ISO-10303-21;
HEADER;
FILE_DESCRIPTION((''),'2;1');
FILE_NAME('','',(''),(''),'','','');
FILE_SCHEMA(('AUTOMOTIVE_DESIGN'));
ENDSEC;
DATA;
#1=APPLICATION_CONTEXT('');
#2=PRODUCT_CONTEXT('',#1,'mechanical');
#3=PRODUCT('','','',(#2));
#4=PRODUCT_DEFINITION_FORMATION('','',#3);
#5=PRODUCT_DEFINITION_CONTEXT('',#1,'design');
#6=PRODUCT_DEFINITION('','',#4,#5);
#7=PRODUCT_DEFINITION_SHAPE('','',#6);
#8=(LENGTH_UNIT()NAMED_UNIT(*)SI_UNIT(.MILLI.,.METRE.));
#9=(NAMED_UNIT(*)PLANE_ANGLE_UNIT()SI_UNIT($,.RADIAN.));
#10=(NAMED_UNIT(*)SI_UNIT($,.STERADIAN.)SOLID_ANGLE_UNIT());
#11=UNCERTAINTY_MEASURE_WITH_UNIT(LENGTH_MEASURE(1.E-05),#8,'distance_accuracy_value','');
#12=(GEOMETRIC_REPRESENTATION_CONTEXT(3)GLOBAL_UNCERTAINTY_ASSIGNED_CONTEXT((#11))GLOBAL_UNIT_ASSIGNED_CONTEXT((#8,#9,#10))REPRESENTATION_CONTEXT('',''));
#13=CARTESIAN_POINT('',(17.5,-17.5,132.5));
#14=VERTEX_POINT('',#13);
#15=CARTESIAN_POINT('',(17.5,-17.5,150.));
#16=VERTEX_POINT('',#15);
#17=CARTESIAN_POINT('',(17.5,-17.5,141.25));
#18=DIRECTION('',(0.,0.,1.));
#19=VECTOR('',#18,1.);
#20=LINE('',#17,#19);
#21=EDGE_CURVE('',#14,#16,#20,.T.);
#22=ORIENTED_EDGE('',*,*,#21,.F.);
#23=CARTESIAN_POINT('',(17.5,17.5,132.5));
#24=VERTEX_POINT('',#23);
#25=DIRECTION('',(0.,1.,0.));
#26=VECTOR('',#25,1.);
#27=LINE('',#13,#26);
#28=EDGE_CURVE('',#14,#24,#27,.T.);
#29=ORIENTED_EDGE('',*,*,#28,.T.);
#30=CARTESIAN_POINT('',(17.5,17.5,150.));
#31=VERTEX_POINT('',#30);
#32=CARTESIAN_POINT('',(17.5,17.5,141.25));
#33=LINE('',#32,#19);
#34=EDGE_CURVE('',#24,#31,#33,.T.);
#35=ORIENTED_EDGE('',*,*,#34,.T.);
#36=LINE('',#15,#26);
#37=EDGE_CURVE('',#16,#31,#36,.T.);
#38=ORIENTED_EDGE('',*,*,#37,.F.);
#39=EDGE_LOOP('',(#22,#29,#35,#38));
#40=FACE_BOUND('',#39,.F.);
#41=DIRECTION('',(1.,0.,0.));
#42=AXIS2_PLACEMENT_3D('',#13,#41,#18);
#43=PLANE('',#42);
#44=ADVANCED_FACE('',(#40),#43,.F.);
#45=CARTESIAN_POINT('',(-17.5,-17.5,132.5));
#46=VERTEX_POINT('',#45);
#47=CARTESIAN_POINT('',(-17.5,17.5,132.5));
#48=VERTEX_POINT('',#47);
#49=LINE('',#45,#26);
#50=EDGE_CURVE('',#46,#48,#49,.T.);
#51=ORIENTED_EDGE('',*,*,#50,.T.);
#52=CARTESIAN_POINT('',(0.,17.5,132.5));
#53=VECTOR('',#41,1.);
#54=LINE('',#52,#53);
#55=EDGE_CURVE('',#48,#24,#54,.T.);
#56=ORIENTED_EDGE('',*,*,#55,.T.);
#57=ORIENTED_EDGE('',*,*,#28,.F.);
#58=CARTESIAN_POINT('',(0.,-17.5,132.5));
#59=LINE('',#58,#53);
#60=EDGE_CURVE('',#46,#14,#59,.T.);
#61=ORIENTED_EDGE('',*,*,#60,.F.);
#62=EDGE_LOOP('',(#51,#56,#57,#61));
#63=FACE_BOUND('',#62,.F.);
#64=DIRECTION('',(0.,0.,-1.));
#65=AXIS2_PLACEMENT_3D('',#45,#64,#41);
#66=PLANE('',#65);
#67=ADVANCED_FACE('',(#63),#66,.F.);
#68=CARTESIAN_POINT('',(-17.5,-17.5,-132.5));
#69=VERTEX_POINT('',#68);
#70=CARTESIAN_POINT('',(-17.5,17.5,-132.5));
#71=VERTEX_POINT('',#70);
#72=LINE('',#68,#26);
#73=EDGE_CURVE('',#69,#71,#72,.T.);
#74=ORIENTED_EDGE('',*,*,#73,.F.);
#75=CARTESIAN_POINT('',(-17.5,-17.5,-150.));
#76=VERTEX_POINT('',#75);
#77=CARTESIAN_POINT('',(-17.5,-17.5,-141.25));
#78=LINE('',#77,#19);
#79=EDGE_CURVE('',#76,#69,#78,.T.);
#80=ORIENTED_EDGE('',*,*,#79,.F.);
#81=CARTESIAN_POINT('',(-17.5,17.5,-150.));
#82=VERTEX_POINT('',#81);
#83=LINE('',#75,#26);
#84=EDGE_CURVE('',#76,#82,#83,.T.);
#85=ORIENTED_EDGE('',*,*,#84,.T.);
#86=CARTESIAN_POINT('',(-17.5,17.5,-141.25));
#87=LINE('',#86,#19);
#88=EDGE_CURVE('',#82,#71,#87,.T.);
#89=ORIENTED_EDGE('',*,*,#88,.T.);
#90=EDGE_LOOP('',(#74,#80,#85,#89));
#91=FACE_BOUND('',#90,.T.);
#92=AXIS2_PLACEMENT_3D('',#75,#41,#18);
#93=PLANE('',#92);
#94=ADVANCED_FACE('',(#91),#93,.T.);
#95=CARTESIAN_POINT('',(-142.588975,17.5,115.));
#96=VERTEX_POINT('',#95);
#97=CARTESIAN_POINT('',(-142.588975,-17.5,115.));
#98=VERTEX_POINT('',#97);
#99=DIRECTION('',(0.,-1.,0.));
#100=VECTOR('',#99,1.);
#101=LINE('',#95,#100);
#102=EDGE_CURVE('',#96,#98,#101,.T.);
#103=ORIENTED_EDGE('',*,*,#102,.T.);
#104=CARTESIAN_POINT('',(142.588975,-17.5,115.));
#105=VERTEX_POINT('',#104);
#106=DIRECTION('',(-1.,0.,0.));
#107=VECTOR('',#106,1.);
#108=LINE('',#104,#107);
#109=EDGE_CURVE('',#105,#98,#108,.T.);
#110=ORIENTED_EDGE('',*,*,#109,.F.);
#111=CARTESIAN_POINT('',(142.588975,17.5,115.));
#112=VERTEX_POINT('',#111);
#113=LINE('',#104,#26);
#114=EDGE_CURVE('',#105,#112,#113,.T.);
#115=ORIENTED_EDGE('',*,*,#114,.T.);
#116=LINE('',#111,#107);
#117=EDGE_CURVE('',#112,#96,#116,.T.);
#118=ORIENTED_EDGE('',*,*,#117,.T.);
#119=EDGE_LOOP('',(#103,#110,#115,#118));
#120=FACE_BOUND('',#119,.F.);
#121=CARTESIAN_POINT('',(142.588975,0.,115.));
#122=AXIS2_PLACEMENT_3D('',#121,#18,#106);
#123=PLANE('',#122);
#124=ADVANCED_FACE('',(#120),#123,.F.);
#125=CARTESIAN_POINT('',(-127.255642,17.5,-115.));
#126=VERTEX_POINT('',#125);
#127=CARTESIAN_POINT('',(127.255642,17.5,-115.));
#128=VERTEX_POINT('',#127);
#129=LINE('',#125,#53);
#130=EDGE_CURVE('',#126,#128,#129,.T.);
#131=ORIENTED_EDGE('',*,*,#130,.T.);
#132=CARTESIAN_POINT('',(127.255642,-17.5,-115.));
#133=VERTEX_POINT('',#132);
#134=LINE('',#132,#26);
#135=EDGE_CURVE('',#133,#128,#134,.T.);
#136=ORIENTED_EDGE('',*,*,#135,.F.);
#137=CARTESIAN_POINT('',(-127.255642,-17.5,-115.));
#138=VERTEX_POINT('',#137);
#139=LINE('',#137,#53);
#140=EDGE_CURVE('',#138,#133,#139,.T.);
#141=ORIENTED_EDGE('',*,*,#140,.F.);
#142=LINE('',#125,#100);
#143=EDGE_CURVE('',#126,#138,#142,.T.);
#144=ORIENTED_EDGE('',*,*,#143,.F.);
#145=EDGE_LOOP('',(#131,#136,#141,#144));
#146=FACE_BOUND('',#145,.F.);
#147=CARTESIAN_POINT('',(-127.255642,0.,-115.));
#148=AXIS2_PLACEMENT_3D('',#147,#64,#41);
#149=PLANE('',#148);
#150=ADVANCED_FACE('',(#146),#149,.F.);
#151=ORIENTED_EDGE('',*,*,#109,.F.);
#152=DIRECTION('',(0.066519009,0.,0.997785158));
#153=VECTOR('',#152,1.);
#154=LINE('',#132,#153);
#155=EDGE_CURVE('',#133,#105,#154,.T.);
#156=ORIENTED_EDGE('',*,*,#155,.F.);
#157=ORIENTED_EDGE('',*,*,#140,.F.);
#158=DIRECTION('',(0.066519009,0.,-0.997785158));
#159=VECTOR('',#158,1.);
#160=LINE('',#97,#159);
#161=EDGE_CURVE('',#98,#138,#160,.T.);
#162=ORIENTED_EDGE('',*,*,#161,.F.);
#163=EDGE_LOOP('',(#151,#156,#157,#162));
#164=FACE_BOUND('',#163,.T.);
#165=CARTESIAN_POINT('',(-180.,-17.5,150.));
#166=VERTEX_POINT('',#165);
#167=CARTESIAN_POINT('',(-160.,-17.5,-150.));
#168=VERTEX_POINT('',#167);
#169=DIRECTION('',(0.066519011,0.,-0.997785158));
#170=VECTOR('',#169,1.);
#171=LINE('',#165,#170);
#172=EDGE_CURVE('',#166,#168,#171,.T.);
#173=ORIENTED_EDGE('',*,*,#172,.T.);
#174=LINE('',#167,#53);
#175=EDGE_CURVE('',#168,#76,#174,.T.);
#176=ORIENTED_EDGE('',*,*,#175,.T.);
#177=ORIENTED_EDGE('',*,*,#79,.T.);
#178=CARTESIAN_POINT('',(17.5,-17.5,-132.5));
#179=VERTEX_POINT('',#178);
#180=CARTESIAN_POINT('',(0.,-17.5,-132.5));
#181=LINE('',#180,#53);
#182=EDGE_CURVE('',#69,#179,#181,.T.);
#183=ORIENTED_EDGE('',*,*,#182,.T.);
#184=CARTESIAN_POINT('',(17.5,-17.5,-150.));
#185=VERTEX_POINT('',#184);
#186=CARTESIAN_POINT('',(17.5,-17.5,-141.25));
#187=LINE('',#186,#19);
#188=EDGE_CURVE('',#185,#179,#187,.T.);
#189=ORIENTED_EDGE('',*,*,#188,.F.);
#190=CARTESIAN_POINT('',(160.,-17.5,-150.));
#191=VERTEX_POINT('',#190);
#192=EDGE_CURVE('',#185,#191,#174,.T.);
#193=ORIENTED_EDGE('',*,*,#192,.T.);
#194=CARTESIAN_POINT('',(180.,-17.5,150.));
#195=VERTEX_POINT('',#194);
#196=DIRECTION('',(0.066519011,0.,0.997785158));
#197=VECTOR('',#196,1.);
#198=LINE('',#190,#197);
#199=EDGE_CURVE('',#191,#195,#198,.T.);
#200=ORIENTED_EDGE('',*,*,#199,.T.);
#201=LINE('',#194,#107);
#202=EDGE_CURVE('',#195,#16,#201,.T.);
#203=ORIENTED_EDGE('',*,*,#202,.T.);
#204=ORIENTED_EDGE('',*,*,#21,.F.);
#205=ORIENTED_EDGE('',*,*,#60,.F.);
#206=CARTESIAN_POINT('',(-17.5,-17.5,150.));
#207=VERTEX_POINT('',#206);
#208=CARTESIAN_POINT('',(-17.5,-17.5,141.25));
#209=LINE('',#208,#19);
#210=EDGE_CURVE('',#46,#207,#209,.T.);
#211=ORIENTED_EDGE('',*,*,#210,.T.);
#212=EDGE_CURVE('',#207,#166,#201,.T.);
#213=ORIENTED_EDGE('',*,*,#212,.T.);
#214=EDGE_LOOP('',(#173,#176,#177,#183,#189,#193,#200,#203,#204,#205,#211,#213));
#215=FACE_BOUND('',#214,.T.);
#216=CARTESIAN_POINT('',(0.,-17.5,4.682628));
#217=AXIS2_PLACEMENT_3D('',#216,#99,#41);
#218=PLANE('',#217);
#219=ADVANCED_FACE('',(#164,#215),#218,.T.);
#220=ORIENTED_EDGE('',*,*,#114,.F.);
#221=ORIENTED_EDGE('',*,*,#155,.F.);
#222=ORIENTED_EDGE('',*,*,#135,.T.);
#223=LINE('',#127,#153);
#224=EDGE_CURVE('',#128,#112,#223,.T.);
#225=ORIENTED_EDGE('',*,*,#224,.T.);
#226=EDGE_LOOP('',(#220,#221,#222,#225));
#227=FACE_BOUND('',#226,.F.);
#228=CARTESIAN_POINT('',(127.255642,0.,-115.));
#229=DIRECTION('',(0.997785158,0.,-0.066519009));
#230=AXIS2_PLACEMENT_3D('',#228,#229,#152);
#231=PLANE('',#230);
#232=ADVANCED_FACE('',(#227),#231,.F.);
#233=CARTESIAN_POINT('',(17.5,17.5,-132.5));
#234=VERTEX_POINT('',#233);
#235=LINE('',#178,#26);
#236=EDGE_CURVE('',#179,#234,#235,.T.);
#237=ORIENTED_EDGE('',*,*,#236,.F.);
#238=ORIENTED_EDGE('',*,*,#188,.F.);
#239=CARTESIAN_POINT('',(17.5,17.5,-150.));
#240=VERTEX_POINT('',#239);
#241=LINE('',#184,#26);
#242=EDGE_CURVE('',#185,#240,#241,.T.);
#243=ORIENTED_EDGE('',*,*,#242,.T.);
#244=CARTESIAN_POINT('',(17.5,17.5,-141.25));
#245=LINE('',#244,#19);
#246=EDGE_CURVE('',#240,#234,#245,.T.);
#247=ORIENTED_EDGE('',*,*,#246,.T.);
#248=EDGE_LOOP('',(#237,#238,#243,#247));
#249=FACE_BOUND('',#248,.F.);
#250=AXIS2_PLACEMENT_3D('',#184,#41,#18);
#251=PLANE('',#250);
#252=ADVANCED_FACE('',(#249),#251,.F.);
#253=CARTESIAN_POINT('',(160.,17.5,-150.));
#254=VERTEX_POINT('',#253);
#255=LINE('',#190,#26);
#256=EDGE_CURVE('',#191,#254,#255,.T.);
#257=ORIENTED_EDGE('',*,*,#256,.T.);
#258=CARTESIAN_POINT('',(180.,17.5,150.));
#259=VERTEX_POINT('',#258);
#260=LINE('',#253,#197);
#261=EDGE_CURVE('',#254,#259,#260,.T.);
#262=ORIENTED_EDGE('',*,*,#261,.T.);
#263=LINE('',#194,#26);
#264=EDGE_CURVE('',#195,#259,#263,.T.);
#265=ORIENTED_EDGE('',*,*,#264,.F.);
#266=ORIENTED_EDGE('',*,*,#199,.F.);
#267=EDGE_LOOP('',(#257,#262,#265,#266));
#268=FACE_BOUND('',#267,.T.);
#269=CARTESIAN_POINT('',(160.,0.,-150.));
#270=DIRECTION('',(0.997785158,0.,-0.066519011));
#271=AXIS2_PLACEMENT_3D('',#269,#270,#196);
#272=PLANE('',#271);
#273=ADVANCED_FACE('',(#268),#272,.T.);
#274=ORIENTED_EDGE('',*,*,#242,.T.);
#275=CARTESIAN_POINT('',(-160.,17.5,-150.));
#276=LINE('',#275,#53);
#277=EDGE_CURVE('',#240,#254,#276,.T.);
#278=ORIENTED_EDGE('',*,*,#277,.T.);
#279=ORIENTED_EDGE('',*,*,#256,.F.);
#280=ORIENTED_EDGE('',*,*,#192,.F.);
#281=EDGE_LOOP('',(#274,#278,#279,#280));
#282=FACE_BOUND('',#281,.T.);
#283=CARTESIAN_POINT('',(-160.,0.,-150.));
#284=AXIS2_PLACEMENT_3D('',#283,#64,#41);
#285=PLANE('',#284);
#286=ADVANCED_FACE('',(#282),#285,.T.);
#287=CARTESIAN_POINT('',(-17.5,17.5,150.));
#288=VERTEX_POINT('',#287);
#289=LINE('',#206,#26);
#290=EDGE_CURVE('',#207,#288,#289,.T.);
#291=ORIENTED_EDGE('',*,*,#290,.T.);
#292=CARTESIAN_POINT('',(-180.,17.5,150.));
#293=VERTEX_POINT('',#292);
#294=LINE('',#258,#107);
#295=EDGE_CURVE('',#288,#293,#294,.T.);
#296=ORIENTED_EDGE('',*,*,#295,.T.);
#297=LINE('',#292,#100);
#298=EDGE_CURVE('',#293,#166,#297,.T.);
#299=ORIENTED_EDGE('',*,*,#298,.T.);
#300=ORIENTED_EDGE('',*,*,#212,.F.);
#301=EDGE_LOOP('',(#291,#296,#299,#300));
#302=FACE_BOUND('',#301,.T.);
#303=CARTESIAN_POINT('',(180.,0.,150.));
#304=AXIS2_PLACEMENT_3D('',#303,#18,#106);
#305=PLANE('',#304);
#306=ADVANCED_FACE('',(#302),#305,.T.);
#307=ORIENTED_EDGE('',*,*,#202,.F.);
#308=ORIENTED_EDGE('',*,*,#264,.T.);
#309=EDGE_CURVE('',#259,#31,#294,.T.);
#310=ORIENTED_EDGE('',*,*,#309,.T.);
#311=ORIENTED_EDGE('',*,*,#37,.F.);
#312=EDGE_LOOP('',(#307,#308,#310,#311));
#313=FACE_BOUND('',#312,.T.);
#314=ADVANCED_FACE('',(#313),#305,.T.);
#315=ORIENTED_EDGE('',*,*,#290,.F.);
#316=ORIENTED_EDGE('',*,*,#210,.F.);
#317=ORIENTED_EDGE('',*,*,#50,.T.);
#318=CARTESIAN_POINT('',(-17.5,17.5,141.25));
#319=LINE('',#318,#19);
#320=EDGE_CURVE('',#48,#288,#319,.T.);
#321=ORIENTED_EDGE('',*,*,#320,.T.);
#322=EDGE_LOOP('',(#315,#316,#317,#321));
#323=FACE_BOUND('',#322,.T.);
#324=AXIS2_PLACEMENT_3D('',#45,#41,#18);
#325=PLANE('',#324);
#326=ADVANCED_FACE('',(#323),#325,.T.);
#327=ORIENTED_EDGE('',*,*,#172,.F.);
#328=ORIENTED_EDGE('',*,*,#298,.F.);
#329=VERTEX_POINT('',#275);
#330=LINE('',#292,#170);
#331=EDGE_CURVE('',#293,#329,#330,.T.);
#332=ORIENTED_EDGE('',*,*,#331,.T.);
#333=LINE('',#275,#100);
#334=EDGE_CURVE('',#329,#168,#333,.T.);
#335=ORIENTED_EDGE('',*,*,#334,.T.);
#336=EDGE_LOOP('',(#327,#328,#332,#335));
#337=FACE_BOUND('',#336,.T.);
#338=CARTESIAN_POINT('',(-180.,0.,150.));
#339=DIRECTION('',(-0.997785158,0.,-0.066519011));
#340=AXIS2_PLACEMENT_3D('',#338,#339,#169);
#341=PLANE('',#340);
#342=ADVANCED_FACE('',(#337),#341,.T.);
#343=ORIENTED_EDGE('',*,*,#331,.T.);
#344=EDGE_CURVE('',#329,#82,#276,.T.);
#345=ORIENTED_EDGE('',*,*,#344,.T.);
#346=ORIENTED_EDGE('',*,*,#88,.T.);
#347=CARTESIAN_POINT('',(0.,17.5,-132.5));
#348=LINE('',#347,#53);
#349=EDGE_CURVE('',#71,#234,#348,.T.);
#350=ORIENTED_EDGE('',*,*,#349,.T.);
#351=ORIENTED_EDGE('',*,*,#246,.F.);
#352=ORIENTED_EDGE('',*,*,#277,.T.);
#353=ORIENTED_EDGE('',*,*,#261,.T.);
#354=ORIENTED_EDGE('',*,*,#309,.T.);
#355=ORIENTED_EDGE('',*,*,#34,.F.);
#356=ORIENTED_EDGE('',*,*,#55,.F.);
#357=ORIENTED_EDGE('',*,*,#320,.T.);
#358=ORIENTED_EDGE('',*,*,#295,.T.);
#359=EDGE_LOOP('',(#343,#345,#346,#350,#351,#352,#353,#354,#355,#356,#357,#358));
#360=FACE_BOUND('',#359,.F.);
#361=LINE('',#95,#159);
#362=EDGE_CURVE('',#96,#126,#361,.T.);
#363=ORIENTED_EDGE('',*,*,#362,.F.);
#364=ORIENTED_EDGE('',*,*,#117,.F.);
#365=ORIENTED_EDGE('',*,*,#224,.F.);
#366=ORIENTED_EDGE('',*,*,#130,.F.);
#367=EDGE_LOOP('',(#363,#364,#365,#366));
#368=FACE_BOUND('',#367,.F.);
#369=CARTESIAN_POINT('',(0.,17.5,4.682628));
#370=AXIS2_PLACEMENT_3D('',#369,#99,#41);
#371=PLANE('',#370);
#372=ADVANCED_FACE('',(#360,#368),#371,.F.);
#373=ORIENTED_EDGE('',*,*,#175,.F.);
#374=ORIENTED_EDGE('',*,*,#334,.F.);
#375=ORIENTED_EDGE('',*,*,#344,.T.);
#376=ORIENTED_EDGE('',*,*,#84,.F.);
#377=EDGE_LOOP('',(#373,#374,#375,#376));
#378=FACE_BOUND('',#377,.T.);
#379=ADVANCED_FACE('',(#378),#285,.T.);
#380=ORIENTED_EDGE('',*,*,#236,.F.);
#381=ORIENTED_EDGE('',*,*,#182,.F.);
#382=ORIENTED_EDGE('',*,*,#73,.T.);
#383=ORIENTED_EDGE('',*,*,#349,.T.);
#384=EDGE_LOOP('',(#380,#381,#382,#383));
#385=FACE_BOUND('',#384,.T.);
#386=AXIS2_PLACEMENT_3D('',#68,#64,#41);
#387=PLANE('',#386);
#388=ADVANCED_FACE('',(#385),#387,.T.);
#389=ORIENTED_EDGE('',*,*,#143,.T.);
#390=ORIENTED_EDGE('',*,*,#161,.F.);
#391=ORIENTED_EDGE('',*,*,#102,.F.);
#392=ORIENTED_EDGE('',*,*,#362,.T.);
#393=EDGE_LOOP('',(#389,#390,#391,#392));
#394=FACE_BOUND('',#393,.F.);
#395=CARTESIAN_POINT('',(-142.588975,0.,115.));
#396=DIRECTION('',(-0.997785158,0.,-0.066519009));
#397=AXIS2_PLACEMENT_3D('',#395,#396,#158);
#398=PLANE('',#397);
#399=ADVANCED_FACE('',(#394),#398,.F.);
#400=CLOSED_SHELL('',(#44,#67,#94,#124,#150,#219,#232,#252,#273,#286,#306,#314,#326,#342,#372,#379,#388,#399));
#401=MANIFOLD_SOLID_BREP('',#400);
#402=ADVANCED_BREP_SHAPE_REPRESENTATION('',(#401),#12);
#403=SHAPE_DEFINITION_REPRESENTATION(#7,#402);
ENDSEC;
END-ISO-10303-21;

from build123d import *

# Parameters (mm, degrees)
F2_DEPTH = 17.5
F3_DEPTH = 17.5
F4_W     = 35
F4_H     = 17.5
F5_DEPTH = 35
F6_W     = 35
F6_H     = 17.5
F7_DEPTH = 35


with BuildPart() as f2:
    # F0 (on Front) → F2 (new body, symmetric)
    with BuildSketch(Plane.XZ):
        Polygon((180, 150), (-180, 150), (-160, -150), (160, -150), align=None)
    extrude(amount=F2_DEPTH, both=True)

    # F1 (on face) → F3 (cut, symmetric)
    with BuildSketch(Plane.XZ):
        Polygon((142.588975, 115), (-142.588975, 115), (-127.255642, -115), (127.255642, -115), align=None)
    extrude(amount=F3_DEPTH, both=True, mode=Mode.SUBTRACT)

    # F4 (on face) → F5 (cut)
    with BuildSketch(Plane.XZ.offset(17.5)):
        with Locations((0, -141.25)):
            Rectangle(F4_W, F4_H)
    extrude(amount=-F5_DEPTH, mode=Mode.SUBTRACT)

    # F6 (on face) → F7 (cut)
    with BuildSketch(Plane.XZ.offset(17.5)):
        with Locations((0, 141.25)):
            Rectangle(F6_W, F6_H)
    extrude(amount=-F7_DEPTH, mode=Mode.SUBTRACT)


solid = f2.part
